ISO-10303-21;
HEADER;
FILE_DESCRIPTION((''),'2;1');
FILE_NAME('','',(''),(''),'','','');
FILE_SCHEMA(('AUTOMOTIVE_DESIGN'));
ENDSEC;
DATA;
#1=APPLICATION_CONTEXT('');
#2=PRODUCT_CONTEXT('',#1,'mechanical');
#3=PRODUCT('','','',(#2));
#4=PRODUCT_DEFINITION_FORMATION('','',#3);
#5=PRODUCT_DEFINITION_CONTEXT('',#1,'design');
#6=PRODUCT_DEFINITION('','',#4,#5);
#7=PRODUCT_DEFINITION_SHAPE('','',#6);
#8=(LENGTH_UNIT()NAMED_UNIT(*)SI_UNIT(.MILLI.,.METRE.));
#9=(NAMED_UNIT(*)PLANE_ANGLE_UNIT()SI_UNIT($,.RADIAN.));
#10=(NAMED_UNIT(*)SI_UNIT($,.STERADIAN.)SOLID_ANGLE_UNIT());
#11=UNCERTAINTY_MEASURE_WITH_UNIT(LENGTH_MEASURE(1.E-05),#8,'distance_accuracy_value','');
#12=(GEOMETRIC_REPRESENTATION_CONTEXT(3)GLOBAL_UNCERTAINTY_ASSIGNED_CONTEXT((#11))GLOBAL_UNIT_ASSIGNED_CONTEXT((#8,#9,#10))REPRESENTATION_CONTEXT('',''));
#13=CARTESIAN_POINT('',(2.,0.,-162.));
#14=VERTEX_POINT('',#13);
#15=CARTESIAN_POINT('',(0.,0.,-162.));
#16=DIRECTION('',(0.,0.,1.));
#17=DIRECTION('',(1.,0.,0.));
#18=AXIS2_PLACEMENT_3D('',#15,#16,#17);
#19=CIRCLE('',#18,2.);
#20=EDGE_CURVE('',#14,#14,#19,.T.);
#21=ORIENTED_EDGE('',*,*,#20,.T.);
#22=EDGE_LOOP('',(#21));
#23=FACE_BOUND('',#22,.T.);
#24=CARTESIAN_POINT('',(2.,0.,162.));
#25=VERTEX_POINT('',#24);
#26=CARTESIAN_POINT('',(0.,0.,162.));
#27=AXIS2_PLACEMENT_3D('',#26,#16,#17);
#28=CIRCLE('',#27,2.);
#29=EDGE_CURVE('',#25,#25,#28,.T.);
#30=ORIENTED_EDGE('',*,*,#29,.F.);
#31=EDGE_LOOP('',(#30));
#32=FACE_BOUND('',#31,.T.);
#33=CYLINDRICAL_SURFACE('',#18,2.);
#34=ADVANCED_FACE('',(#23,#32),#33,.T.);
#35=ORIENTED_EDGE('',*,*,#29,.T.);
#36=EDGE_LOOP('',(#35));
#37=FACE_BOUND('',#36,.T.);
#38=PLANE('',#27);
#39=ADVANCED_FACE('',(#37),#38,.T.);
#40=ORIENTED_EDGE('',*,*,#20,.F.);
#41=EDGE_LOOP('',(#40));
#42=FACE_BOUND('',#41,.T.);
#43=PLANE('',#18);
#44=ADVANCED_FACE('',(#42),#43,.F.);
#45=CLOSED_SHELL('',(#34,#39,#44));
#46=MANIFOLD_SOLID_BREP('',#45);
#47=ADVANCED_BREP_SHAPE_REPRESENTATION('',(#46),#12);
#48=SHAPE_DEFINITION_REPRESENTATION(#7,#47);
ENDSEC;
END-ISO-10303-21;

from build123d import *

# Parameters (mm, degrees)
ESTRUSIONE_ESTRUSIONE1_DEPTH      = 162
ESTRUSIONE_ESTRUSIONE1_DEPTH_BACK = 162
SCHIZZO1_R                        = 2


with BuildPart() as part:
    # Schizzo1 → Estrusione-Estrusione1 (new, two sides: drawn at the far end of the back side and taken through both)
    with BuildSketch(Plane.XY.offset(-ESTRUSIONE_ESTRUSIONE1_DEPTH_BACK)):
        Circle(SCHIZZO1_R)
    extrude(amount=ESTRUSIONE_ESTRUSIONE1_DEPTH + ESTRUSIONE_ESTRUSIONE1_DEPTH_BACK)


solid = part.part
